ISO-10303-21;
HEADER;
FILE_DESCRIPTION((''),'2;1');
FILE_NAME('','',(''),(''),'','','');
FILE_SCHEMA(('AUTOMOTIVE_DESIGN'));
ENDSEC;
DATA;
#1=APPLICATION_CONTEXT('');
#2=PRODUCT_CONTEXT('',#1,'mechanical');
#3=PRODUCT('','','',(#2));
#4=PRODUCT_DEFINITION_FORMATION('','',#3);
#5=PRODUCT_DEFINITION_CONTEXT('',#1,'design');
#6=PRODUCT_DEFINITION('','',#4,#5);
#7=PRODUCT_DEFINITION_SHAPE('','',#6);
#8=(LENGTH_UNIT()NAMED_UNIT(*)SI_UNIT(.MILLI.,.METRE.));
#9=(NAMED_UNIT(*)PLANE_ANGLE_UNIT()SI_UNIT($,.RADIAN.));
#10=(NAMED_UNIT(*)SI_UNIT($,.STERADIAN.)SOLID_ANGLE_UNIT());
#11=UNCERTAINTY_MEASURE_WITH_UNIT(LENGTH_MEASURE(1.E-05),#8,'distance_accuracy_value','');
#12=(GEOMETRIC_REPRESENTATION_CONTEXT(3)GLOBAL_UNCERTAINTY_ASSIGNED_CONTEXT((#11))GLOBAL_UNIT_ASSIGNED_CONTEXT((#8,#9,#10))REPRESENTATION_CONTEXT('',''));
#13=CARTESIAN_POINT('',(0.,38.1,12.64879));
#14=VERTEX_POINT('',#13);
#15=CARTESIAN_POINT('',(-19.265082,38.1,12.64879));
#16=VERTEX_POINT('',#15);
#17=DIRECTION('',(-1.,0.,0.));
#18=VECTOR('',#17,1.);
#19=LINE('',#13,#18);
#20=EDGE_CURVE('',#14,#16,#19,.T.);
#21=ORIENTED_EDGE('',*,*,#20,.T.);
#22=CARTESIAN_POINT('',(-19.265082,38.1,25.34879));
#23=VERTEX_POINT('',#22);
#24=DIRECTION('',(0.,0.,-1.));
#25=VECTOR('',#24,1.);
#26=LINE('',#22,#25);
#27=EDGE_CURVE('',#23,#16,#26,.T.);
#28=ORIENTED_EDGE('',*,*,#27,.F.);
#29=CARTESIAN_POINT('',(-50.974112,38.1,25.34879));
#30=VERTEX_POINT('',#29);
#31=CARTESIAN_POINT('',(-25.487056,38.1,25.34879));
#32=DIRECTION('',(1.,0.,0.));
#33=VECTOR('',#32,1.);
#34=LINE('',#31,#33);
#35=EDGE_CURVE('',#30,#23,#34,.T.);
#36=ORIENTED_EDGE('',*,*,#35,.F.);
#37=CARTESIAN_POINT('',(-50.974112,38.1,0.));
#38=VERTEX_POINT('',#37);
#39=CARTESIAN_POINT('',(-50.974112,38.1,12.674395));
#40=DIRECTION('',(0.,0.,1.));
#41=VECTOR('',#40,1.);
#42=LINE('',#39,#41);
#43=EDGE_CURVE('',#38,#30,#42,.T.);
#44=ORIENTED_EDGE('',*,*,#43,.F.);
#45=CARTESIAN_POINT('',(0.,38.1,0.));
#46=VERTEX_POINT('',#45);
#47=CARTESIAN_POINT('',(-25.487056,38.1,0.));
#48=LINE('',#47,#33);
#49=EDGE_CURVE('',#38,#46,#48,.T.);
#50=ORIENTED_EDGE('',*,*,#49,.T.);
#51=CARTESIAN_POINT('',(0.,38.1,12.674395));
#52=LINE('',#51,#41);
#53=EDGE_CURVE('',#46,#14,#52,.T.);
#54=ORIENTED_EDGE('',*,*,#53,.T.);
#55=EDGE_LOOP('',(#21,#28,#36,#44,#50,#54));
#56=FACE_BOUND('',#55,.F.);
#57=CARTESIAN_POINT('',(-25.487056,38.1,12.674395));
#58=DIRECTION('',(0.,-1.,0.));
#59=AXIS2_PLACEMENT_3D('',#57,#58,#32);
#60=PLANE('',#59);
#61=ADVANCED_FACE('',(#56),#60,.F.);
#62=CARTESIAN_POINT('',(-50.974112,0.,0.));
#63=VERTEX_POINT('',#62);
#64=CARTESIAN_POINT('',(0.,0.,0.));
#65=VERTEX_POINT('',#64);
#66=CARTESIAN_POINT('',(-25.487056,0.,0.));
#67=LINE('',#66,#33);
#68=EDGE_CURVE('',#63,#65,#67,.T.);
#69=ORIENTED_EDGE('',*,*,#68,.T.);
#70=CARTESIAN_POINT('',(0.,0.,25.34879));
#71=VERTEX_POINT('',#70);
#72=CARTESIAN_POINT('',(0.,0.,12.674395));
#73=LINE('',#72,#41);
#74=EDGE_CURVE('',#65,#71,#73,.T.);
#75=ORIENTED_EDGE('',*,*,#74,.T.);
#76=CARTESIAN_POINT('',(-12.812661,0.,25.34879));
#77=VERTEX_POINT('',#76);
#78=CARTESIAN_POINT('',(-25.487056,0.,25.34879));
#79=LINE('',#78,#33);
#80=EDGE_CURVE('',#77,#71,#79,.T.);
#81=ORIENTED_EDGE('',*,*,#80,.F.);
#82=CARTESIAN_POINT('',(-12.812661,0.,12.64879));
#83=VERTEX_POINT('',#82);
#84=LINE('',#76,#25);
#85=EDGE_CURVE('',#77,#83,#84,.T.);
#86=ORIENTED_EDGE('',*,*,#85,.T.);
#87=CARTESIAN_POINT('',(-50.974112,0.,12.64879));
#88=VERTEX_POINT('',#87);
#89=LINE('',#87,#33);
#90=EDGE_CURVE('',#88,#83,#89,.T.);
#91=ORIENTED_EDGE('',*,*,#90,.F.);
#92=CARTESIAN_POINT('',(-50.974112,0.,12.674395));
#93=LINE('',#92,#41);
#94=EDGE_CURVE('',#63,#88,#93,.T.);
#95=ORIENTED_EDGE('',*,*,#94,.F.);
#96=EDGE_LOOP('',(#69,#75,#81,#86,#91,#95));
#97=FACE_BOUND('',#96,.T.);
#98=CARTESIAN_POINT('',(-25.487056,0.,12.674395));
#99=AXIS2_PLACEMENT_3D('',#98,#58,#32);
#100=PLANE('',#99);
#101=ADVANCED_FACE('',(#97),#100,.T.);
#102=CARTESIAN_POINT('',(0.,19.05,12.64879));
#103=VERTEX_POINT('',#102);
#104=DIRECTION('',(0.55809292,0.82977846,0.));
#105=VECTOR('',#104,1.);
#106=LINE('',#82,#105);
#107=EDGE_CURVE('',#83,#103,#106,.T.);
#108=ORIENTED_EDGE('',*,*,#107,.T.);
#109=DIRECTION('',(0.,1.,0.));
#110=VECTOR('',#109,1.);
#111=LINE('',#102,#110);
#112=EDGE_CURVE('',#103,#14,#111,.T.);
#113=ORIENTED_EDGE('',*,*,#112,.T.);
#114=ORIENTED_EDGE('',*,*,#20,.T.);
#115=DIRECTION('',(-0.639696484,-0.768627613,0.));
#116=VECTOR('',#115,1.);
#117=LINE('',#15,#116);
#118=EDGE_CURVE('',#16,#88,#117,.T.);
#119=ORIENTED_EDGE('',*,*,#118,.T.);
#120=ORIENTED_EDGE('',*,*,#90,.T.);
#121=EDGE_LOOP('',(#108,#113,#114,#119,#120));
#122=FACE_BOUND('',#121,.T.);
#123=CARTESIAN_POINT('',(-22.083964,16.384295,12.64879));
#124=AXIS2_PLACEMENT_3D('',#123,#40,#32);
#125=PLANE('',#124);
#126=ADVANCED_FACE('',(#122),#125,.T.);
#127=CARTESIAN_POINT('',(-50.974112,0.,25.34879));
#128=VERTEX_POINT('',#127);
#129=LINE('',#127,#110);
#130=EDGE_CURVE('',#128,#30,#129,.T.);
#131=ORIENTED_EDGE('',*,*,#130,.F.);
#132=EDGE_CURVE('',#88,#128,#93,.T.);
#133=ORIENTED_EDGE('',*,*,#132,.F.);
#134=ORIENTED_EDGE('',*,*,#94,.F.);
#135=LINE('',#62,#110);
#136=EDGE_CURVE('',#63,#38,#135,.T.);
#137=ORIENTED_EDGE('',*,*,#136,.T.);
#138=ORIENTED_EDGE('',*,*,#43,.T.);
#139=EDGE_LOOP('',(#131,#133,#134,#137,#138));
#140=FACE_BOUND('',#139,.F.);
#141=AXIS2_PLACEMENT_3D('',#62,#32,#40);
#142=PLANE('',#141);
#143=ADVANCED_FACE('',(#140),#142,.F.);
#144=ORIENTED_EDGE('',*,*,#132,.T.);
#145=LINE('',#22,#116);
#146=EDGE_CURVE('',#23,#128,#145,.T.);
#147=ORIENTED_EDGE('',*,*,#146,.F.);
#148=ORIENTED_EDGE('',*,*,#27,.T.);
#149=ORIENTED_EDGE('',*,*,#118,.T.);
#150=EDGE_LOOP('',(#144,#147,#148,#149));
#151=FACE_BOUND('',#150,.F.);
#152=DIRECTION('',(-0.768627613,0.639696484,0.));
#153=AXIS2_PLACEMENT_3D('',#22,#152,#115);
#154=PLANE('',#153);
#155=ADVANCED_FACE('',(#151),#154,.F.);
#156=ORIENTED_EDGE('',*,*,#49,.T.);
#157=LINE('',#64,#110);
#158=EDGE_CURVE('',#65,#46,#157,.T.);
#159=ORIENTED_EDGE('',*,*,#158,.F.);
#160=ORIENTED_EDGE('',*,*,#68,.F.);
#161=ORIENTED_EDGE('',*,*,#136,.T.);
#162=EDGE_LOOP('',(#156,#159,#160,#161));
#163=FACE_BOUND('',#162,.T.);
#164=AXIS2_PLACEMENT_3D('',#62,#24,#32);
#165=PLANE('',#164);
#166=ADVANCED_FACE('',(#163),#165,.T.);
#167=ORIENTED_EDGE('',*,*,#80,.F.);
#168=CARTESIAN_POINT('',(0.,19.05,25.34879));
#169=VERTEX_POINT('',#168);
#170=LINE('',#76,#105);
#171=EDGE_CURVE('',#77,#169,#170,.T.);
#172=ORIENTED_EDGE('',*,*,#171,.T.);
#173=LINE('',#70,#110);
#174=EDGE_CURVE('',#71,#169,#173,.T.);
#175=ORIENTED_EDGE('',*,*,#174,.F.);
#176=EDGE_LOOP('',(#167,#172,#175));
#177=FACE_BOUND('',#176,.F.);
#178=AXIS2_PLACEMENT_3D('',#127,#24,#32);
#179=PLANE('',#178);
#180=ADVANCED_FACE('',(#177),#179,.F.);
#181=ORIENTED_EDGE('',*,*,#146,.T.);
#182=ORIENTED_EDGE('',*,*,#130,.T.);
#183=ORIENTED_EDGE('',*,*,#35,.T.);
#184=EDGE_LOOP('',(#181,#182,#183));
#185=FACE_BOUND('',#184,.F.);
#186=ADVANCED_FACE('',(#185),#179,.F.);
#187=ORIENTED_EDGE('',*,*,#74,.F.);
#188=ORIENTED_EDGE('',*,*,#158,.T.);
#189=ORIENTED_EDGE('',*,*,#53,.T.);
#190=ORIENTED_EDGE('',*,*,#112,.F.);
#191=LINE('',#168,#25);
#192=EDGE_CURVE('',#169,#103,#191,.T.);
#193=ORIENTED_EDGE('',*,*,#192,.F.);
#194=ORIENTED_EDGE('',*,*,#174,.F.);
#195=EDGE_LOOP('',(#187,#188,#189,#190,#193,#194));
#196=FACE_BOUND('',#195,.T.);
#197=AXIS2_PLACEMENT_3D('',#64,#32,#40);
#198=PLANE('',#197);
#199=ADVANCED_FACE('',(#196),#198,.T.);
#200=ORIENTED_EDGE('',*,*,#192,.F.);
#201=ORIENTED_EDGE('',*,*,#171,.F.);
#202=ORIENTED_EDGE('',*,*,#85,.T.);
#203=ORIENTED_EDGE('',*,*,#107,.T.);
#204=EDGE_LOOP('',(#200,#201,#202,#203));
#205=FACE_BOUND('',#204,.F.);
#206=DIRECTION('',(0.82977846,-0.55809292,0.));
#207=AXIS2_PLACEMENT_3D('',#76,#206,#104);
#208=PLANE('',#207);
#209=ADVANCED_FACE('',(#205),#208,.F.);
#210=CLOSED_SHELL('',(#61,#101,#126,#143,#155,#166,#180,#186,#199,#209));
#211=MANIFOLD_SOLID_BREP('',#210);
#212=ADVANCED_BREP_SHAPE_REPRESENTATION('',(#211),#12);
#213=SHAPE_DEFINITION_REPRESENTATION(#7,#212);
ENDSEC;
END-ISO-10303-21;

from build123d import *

# Parameters (mm, degrees)
F0_W     = 50.974112
F0_H     = 25.34879
F1_DEPTH = 38.1
F3_DEPTH = 12.7


with BuildPart() as f1:
    # F0 (on Front) → F1 (new body)
    with BuildSketch(Plane.XZ):
        with Locations((-25.487056, 12.674395)):
            Rectangle(F0_W, F0_H)
    extrude(amount=-F1_DEPTH)

    # F2 (on face) → F3 (cut)
    with BuildSketch(Plane.XY.offset(25.34879)):
        Polygon((-50.974112, 0), (-12.812661, 0), (0, 19.05), (0, 38.1), (-19.265082, 38.1), align=None)
    extrude(amount=-F3_DEPTH, mode=Mode.SUBTRACT)


solid = f1.part
